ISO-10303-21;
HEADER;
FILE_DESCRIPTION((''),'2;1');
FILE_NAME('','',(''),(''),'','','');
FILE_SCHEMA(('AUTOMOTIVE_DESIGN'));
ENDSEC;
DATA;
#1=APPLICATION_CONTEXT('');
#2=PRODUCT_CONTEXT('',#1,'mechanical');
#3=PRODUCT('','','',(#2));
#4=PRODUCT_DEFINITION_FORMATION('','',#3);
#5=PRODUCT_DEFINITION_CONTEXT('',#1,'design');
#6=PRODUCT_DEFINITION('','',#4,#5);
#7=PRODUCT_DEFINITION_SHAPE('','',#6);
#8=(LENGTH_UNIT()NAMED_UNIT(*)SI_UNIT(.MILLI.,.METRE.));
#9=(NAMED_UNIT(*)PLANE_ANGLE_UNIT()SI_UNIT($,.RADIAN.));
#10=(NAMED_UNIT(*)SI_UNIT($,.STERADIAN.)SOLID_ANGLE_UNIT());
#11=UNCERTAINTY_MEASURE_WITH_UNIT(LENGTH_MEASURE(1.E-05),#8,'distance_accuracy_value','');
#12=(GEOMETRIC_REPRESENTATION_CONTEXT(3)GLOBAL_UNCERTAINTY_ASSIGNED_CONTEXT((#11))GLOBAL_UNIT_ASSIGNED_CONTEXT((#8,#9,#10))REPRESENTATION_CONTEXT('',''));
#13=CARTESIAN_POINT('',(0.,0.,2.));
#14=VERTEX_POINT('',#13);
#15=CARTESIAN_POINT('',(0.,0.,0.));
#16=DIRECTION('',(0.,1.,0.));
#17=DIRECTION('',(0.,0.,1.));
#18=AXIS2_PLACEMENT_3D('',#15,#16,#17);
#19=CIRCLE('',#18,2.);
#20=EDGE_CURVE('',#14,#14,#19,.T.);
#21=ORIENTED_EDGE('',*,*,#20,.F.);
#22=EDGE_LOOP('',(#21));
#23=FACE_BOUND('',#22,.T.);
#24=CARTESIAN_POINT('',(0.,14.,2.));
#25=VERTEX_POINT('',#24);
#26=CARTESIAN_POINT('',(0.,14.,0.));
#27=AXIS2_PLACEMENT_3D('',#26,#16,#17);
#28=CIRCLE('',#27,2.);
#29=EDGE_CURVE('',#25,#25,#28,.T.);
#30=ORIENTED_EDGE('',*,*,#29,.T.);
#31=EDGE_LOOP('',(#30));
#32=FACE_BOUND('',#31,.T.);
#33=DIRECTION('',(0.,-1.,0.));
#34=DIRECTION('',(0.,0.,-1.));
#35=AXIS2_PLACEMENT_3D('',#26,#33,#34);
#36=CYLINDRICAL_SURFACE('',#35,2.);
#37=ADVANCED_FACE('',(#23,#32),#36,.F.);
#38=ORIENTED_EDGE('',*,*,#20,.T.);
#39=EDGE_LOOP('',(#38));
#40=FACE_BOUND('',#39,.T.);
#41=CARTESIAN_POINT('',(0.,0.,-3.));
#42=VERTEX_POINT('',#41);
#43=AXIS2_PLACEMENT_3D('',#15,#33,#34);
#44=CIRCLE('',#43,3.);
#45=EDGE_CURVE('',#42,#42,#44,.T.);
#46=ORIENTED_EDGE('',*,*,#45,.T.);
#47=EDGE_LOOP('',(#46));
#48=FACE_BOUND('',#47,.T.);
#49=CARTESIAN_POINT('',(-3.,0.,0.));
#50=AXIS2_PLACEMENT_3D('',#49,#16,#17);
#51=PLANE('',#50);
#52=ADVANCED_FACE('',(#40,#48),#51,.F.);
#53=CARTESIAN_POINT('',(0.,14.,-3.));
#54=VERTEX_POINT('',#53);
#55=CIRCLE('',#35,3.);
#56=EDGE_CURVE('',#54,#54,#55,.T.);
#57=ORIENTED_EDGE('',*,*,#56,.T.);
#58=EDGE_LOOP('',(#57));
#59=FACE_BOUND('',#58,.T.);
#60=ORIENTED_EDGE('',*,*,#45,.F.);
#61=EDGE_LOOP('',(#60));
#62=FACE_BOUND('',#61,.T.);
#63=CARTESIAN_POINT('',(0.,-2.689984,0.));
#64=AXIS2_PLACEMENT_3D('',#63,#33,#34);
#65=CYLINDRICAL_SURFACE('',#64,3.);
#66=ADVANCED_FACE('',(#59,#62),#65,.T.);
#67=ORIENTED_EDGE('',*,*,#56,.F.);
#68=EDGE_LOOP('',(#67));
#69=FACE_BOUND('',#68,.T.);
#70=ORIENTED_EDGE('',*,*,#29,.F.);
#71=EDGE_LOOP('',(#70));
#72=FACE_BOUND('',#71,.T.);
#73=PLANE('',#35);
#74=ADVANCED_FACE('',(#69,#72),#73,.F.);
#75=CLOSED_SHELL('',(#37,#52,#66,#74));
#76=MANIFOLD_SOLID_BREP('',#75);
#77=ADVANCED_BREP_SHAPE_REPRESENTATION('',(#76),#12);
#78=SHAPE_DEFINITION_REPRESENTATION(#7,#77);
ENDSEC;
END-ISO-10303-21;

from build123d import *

# Parameters (mm, degrees)
SKETCH1_W          = 3
SKETCH1_H          = 14
SKETCH2_R          = 2
CUT_EXTRUDE1_DEPTH = 15.628738838


with BuildPart() as part:
    # Sketch1 → Revolve1 (revolve)
    with BuildSketch(Plane.XY, mode=Mode.PRIVATE) as revolve1_sk:
        with Locations((-1.5, 7)):
            Rectangle(SKETCH1_W, SKETCH1_H)
    revolve(revolve1_sk.sketch.rotate(Axis((0, -2.689983831, 0), (0, 1, 0)), 270), axis=Axis((0, -2.689983831, 0), (0, 1, 0)))

    # Sketch2 → Cut-Extrude1 (cut, through all)
    with BuildSketch(Plane(origin=(0, 0, 0), x_dir=(1, 0, 0), z_dir=(0, 1, 0))):
        with Locations(Location((0, 0, 0), (0, 0, 270))):
            Circle(SKETCH2_R)
    extrude(amount=CUT_EXTRUDE1_DEPTH, mode=Mode.SUBTRACT)


solid = part.part
